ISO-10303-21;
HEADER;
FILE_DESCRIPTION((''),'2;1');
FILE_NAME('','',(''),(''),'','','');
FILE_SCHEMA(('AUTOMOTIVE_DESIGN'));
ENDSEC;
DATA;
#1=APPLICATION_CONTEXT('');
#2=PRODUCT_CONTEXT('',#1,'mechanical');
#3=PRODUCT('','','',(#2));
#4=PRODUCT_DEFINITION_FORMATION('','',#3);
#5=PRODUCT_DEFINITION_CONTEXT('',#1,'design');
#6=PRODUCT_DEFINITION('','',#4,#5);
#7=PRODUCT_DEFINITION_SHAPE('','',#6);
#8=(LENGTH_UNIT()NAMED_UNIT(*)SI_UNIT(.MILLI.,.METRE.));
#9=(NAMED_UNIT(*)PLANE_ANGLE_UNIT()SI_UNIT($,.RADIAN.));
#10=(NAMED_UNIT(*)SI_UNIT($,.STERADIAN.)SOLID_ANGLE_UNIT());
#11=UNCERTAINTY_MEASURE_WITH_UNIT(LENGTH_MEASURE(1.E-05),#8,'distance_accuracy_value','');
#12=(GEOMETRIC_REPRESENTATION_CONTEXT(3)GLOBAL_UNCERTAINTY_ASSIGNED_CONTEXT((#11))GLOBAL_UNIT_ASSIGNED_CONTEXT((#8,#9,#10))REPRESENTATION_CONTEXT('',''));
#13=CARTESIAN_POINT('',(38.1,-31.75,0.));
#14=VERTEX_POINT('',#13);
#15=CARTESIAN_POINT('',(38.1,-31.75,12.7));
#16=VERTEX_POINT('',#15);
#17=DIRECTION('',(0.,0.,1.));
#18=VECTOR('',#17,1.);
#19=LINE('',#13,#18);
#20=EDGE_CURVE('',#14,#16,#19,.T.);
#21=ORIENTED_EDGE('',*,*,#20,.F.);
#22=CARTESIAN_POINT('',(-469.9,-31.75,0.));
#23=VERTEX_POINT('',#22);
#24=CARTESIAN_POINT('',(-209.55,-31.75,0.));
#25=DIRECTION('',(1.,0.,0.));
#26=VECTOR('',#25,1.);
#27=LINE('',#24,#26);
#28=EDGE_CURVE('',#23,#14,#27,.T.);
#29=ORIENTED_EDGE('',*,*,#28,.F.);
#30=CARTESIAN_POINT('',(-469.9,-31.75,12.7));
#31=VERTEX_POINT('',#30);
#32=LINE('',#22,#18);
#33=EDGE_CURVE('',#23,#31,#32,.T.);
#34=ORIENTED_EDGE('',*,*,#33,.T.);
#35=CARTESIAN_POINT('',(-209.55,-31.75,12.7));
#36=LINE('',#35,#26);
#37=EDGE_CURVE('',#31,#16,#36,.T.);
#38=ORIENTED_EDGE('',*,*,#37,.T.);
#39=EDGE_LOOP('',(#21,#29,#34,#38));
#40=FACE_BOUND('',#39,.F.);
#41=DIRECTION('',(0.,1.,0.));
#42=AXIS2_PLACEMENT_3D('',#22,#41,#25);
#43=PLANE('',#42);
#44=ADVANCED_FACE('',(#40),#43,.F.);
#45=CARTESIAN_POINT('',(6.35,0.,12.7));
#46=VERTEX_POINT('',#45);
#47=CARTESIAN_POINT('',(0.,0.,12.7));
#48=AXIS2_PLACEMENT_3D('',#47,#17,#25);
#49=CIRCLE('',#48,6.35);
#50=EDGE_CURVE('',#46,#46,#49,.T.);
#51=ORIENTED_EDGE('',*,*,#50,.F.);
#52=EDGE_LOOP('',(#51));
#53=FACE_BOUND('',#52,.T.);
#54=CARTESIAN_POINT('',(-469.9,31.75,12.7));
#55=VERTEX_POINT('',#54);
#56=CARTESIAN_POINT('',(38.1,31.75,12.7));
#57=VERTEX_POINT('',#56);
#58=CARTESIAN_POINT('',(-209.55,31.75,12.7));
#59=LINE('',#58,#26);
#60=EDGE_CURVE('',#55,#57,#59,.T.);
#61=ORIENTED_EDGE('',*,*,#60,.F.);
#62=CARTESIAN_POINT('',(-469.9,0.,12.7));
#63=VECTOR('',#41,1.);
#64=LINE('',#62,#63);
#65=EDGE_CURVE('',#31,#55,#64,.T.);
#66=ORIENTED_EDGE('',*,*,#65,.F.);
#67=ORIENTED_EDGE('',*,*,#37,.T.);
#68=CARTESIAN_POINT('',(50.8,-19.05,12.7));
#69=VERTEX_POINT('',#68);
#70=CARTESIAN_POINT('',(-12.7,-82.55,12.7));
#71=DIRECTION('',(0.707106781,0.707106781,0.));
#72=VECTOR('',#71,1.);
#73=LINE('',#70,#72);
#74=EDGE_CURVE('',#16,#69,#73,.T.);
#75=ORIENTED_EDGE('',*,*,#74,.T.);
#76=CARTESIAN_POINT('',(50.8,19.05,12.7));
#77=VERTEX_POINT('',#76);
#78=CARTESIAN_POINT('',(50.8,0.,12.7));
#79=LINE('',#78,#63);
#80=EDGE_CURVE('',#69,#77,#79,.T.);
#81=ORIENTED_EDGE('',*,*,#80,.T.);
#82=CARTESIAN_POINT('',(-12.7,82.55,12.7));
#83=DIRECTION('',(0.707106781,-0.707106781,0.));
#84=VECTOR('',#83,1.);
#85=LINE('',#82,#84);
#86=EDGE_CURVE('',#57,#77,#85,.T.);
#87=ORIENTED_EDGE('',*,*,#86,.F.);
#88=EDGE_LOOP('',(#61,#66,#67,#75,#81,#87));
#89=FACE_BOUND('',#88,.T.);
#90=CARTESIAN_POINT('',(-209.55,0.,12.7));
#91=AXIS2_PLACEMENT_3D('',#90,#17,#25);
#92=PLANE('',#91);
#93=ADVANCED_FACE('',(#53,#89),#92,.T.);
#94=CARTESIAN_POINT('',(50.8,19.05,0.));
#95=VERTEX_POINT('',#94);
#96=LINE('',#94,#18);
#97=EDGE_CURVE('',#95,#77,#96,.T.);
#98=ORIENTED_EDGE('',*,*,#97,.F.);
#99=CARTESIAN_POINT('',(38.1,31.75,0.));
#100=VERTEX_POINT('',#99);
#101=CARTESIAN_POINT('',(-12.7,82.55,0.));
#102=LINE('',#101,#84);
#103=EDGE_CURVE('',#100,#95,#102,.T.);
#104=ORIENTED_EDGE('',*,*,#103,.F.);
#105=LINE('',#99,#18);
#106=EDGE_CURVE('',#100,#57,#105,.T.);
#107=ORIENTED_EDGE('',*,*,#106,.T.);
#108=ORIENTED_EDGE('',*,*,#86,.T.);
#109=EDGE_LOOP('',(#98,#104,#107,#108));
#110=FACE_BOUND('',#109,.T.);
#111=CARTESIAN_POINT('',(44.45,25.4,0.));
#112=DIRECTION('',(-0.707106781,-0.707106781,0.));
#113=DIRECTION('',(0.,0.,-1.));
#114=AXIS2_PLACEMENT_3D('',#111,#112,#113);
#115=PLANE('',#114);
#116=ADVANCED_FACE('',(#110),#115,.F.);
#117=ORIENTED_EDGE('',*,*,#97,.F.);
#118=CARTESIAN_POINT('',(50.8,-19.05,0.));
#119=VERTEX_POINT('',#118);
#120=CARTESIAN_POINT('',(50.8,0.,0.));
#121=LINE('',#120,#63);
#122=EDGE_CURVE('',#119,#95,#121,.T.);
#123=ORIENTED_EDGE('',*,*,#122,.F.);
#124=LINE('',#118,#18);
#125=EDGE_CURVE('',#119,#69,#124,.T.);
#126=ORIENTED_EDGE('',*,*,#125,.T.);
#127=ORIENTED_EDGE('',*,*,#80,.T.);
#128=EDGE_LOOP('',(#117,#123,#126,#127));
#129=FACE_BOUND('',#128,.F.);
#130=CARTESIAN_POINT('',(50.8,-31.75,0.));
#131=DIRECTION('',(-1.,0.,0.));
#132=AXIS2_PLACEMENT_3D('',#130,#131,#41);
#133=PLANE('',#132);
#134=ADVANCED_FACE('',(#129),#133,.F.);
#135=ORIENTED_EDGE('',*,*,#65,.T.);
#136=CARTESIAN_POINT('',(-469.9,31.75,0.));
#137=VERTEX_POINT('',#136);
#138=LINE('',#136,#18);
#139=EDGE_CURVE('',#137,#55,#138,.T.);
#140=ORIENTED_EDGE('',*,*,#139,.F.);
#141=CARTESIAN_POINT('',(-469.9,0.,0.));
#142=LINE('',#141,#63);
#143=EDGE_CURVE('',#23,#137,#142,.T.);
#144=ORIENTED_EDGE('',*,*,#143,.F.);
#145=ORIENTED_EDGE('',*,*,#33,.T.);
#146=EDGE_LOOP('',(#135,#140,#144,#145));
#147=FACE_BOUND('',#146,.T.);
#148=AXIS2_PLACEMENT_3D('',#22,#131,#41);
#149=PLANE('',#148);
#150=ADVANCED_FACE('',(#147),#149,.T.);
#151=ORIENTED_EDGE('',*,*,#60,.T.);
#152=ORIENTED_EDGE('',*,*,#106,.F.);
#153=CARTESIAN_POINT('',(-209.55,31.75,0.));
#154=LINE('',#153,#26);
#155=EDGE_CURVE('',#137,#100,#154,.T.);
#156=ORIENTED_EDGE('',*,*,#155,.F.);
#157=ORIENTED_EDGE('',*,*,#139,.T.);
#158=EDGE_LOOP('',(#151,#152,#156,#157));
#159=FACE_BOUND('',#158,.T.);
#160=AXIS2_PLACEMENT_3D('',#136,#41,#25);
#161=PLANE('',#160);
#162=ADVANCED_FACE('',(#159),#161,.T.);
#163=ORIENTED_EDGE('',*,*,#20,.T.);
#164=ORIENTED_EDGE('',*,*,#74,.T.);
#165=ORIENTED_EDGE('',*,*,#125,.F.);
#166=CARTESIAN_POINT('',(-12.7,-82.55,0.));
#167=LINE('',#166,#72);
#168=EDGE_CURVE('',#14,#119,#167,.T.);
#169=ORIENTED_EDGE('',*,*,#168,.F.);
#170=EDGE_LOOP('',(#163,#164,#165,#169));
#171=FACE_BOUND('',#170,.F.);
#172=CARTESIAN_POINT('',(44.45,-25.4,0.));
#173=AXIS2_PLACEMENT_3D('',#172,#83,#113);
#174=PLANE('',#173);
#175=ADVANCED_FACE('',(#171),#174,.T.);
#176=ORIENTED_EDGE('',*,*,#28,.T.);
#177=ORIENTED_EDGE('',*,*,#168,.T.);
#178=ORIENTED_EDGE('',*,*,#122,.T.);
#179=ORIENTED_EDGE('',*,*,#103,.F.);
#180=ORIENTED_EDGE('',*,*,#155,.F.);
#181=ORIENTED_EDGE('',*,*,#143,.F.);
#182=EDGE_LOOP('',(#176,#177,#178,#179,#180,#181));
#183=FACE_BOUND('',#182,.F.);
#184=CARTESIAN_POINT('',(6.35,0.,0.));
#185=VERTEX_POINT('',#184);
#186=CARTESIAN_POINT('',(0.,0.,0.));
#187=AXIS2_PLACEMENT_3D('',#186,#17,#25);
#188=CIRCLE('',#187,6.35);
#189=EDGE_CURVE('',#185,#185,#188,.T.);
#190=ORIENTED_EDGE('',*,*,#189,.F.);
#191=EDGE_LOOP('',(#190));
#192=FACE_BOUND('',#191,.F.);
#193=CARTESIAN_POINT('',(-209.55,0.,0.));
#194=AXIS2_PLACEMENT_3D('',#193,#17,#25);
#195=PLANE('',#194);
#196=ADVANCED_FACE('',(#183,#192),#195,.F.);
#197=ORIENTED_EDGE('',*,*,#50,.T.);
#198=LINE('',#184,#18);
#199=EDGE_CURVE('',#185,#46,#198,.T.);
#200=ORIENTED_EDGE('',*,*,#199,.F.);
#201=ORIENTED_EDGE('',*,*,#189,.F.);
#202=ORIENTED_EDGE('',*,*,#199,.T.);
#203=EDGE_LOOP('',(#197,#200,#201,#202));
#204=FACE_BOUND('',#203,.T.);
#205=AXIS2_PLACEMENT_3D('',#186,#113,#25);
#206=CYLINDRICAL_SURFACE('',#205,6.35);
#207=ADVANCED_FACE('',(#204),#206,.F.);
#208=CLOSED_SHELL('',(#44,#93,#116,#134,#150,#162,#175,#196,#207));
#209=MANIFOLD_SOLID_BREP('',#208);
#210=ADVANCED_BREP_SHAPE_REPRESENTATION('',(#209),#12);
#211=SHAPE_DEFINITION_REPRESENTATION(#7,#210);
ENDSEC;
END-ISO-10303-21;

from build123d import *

# Parameters (mm, degrees)
F0_W     = 520.7
F0_H     = 63.5
F0_R     = 6.35
F1_DEPTH = 12.7
F2_SIZE  = 12.7


with BuildPart() as f1:
    # F0 (on Top) → F1 (new body)
    with BuildSketch(Plane.XY):
        with Locations((-209.55, 0)):
            Rectangle(F0_W, F0_H)
        Circle(F0_R, mode=Mode.SUBTRACT)
    extrude(amount=F1_DEPTH)

    # F2
    f2_edges = [f1.edges().sort_by_distance(p)[0] for p in [
        (50.8, -31.75, 6.35),
        (50.8, 31.75, 6.35),
    ]]
    chamfer(f2_edges, length=F2_SIZE)


solid = f1.part
